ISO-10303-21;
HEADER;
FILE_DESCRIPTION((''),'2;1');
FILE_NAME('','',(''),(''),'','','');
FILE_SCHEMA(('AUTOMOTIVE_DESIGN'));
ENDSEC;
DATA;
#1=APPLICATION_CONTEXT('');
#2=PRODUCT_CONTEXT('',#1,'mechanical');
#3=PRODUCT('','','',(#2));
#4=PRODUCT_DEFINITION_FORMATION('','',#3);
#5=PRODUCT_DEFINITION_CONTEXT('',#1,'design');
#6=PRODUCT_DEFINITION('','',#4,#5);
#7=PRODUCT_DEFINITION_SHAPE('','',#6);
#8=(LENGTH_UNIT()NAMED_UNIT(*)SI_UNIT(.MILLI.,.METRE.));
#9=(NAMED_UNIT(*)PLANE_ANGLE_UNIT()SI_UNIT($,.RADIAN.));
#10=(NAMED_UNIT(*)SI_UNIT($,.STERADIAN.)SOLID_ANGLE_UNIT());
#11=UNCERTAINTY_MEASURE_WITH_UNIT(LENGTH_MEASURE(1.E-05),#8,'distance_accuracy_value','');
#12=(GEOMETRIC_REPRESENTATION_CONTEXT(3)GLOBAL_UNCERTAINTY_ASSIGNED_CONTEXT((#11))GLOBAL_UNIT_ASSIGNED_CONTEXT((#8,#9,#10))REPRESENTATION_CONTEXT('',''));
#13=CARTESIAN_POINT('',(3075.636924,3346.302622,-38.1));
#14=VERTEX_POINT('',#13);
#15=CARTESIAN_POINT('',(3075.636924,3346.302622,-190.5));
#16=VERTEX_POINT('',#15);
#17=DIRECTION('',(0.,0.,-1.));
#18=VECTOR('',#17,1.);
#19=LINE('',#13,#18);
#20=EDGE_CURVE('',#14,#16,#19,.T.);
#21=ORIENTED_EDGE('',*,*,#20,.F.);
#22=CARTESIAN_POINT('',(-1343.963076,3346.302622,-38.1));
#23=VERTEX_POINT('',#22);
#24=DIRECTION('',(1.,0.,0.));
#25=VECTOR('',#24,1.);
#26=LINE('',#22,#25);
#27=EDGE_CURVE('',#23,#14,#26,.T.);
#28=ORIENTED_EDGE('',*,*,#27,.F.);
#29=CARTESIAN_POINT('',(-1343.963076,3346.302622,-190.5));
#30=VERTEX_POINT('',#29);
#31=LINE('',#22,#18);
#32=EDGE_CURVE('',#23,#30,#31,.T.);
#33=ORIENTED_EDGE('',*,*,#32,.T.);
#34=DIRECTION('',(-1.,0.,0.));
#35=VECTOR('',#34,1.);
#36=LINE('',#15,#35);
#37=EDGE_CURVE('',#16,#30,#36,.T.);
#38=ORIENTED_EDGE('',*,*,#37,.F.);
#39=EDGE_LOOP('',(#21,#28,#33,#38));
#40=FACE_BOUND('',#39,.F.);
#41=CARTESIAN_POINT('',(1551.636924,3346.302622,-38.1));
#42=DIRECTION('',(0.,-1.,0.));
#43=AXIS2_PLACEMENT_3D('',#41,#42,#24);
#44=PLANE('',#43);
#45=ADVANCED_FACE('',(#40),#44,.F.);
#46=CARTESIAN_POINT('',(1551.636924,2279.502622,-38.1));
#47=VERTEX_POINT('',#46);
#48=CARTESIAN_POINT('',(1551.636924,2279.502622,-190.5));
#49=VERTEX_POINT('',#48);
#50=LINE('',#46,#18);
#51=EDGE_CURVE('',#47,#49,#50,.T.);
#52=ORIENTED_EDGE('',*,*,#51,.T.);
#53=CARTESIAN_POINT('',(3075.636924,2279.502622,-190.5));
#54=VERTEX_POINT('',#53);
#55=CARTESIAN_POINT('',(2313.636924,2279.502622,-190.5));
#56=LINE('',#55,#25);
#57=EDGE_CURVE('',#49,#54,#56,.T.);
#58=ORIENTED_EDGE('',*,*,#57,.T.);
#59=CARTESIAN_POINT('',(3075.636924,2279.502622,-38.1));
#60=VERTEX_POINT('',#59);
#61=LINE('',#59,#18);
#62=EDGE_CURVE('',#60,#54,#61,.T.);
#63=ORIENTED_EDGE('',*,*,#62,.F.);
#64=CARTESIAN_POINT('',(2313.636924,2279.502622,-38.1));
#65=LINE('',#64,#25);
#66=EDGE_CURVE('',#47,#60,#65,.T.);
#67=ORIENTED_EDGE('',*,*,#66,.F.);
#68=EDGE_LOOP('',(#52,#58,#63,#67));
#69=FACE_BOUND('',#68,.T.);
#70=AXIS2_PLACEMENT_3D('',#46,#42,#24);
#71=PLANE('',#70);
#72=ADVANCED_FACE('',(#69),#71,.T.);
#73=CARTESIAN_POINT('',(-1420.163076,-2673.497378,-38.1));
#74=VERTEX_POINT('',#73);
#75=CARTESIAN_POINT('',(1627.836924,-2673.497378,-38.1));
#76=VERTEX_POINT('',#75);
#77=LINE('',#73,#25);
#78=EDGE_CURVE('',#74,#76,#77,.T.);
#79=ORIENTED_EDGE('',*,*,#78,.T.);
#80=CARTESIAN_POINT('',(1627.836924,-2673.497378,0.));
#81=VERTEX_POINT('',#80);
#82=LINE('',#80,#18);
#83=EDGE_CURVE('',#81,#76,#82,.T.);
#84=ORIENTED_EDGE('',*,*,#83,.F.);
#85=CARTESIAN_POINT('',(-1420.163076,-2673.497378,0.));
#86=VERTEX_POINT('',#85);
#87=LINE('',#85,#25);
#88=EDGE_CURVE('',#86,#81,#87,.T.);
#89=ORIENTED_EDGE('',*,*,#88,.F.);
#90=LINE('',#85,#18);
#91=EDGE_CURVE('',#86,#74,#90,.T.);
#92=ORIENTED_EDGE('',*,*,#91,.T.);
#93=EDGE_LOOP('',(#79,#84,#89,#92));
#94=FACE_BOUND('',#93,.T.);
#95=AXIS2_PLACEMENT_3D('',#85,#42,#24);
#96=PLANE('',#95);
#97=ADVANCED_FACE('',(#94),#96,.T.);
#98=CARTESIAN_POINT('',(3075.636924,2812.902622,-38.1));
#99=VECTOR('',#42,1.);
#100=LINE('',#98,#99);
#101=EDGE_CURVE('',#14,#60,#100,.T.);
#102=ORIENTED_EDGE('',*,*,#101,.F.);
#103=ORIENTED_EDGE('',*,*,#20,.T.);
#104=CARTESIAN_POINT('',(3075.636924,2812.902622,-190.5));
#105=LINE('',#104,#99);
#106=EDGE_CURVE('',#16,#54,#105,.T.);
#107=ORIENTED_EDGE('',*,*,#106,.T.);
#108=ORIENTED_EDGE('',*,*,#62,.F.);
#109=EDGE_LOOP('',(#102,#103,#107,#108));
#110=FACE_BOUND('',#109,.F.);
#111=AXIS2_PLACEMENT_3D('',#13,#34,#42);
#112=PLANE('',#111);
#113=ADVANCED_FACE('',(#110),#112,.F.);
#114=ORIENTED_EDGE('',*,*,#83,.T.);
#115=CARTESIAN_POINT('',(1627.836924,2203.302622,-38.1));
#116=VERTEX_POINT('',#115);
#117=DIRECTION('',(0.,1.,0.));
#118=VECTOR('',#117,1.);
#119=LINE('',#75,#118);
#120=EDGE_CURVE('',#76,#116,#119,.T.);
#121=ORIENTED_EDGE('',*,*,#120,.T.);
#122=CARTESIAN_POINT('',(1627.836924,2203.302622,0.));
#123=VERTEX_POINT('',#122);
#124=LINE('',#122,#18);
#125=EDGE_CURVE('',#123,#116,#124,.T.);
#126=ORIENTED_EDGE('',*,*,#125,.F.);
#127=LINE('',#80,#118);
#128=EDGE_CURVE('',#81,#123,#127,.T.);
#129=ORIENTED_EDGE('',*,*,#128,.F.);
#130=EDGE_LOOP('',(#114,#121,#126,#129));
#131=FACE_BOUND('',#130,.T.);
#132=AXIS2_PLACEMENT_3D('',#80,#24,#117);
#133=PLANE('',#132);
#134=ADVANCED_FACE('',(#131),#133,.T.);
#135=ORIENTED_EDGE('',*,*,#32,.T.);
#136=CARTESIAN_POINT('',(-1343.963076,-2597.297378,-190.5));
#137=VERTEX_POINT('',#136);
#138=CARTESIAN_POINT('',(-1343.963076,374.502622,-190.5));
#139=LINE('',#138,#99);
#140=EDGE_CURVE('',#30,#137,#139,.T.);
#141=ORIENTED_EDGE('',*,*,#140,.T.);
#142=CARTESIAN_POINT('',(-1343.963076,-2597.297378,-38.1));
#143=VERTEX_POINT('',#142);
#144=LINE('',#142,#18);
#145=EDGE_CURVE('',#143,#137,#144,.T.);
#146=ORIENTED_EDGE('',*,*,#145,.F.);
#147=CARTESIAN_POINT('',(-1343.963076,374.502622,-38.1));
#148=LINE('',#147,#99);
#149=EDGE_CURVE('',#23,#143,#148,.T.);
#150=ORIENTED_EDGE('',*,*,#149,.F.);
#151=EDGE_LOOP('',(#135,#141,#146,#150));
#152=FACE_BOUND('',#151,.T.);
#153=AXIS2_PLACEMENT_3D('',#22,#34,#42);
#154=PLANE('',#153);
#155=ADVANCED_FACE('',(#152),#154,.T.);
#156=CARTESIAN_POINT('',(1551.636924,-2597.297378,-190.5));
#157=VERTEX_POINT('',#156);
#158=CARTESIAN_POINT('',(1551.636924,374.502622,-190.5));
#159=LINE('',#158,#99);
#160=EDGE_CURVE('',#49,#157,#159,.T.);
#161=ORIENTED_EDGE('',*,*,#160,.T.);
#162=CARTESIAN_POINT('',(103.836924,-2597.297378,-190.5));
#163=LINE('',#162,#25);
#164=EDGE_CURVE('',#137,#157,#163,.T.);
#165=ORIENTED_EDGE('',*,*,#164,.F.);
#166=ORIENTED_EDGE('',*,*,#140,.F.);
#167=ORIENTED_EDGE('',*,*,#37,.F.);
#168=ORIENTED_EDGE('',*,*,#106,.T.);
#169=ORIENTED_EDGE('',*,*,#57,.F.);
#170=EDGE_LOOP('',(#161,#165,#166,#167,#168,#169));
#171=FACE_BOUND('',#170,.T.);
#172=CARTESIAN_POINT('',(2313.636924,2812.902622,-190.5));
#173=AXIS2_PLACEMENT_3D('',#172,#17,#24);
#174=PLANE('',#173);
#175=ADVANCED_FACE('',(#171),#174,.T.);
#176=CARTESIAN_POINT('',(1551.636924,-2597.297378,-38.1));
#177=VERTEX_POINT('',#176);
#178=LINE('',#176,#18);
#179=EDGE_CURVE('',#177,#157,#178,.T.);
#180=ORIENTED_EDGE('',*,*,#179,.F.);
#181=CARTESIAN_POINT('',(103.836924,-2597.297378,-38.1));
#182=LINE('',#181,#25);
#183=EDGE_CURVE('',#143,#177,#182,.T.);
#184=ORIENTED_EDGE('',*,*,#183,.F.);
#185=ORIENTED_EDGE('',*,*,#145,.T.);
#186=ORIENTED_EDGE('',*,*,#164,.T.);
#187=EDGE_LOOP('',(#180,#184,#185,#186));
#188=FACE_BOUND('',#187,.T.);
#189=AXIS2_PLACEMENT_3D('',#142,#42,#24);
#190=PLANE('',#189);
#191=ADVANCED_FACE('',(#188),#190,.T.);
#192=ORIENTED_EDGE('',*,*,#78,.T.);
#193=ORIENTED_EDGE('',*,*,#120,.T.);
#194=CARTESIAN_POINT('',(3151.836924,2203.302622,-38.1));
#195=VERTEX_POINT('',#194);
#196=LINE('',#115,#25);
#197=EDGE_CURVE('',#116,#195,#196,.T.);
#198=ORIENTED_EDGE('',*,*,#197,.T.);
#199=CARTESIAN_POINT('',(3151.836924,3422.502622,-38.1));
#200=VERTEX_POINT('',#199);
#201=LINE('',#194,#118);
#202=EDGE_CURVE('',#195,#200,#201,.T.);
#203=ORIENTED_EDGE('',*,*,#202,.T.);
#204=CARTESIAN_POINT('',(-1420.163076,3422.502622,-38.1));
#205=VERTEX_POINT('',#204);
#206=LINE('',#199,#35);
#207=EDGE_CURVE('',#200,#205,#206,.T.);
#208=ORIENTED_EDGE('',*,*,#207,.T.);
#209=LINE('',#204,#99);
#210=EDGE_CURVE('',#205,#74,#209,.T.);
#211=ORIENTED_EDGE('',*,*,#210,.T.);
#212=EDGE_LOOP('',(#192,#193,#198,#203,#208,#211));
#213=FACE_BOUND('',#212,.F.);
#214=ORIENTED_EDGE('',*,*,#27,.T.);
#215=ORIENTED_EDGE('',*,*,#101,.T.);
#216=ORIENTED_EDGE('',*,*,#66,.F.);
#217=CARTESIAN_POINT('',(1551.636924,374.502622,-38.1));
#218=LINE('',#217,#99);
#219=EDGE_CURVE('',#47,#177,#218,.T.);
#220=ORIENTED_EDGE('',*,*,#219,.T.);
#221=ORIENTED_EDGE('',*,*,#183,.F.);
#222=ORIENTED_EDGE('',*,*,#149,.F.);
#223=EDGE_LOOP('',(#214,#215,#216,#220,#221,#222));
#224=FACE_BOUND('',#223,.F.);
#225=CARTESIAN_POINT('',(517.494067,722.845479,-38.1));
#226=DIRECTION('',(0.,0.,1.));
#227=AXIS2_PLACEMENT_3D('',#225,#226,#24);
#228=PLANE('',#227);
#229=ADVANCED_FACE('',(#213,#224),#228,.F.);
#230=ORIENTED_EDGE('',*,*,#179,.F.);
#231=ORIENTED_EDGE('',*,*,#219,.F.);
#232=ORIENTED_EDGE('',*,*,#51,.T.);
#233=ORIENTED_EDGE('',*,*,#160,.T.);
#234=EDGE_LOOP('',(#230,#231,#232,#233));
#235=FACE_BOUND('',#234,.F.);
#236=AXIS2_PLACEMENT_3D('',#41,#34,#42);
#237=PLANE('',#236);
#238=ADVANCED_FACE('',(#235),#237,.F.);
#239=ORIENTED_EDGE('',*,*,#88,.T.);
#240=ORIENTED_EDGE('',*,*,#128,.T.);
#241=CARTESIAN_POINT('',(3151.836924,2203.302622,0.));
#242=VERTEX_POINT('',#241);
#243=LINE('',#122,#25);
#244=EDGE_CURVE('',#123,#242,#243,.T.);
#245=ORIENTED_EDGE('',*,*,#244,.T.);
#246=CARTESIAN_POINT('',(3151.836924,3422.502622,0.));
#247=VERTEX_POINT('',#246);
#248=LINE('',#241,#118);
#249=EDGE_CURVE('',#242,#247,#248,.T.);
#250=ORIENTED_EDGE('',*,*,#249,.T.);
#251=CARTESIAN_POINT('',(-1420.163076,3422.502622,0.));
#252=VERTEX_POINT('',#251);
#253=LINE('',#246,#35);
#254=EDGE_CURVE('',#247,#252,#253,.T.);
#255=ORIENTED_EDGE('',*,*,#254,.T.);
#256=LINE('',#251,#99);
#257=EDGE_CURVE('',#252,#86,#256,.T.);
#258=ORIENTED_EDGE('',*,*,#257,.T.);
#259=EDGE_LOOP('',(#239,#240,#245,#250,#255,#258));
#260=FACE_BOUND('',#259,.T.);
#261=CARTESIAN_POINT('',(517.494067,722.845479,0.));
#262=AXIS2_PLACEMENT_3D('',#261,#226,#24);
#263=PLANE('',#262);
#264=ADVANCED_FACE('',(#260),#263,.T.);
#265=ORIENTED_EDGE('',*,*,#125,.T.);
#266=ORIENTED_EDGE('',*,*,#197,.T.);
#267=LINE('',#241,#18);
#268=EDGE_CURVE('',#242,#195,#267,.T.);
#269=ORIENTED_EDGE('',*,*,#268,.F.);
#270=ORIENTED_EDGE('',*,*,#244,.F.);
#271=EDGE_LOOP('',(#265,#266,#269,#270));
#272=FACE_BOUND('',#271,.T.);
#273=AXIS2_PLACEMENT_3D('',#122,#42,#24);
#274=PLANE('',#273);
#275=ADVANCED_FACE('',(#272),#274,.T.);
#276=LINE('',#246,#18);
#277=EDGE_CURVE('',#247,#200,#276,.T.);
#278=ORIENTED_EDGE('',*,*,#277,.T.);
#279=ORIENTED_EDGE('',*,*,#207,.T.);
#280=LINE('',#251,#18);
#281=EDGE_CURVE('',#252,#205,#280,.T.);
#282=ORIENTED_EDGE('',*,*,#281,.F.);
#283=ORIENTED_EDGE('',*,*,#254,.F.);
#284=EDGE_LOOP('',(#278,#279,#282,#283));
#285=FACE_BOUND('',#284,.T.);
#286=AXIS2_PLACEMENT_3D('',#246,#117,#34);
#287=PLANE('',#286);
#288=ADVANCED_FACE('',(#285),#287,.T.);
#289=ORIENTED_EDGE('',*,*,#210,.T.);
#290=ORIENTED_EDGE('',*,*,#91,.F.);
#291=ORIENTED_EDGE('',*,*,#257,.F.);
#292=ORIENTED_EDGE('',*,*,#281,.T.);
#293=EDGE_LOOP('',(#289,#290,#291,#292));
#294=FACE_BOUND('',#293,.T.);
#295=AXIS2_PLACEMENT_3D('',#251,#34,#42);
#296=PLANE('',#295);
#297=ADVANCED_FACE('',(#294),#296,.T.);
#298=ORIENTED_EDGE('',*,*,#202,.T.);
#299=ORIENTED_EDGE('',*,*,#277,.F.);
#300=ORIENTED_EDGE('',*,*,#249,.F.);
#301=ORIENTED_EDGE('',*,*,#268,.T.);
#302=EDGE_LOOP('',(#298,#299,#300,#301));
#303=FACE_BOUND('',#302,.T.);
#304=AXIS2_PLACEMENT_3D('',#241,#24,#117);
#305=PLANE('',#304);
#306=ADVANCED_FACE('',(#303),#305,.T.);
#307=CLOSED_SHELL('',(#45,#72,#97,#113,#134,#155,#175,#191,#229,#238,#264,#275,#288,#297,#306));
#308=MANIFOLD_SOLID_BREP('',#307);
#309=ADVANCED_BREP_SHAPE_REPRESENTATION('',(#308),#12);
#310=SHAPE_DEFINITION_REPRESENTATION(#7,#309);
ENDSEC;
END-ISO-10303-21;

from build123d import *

# Parameters (mm, degrees)
F1_DEPTH = 38.1
F2_W     = 2895.6
F2_H     = 5943.6
F3_DEPTH = 152.4
F4_W     = 1524
F4_H     = 1066.8
F5_DEPTH = 152.4


with BuildPart() as f1:
    # F0 (on Top) → F1 (new body)
    with BuildSketch(Plane.XY):
        Polygon((3151.836924, 3422.502622), (-1420.163076, 3422.502622), (-1420.163076, -2673.497378), (1627.836924, -2673.497378), (1627.836924, 2203.302622), (3151.836924, 2203.302622), align=None)
    extrude(amount=-F1_DEPTH)

    # F2 (on face) → F3 (join)
    with BuildSketch(Plane(origin=(0, 0, -38.1), x_dir=(1, 0, 0), z_dir=(0, 0, -1))):
        with Locations((103.836924, -374.502622)):
            Rectangle(F2_W, F2_H)
    extrude(amount=F3_DEPTH)

    # F4 (on face) → F5 (join)
    with BuildSketch(Plane(origin=(0, 0, -38.1), x_dir=(1, 0, 0), z_dir=(0, 0, -1))):
        with Locations((2313.636924, -2812.902622)):
            Rectangle(F4_W, F4_H)
    extrude(amount=F5_DEPTH)


solid = f1.part
